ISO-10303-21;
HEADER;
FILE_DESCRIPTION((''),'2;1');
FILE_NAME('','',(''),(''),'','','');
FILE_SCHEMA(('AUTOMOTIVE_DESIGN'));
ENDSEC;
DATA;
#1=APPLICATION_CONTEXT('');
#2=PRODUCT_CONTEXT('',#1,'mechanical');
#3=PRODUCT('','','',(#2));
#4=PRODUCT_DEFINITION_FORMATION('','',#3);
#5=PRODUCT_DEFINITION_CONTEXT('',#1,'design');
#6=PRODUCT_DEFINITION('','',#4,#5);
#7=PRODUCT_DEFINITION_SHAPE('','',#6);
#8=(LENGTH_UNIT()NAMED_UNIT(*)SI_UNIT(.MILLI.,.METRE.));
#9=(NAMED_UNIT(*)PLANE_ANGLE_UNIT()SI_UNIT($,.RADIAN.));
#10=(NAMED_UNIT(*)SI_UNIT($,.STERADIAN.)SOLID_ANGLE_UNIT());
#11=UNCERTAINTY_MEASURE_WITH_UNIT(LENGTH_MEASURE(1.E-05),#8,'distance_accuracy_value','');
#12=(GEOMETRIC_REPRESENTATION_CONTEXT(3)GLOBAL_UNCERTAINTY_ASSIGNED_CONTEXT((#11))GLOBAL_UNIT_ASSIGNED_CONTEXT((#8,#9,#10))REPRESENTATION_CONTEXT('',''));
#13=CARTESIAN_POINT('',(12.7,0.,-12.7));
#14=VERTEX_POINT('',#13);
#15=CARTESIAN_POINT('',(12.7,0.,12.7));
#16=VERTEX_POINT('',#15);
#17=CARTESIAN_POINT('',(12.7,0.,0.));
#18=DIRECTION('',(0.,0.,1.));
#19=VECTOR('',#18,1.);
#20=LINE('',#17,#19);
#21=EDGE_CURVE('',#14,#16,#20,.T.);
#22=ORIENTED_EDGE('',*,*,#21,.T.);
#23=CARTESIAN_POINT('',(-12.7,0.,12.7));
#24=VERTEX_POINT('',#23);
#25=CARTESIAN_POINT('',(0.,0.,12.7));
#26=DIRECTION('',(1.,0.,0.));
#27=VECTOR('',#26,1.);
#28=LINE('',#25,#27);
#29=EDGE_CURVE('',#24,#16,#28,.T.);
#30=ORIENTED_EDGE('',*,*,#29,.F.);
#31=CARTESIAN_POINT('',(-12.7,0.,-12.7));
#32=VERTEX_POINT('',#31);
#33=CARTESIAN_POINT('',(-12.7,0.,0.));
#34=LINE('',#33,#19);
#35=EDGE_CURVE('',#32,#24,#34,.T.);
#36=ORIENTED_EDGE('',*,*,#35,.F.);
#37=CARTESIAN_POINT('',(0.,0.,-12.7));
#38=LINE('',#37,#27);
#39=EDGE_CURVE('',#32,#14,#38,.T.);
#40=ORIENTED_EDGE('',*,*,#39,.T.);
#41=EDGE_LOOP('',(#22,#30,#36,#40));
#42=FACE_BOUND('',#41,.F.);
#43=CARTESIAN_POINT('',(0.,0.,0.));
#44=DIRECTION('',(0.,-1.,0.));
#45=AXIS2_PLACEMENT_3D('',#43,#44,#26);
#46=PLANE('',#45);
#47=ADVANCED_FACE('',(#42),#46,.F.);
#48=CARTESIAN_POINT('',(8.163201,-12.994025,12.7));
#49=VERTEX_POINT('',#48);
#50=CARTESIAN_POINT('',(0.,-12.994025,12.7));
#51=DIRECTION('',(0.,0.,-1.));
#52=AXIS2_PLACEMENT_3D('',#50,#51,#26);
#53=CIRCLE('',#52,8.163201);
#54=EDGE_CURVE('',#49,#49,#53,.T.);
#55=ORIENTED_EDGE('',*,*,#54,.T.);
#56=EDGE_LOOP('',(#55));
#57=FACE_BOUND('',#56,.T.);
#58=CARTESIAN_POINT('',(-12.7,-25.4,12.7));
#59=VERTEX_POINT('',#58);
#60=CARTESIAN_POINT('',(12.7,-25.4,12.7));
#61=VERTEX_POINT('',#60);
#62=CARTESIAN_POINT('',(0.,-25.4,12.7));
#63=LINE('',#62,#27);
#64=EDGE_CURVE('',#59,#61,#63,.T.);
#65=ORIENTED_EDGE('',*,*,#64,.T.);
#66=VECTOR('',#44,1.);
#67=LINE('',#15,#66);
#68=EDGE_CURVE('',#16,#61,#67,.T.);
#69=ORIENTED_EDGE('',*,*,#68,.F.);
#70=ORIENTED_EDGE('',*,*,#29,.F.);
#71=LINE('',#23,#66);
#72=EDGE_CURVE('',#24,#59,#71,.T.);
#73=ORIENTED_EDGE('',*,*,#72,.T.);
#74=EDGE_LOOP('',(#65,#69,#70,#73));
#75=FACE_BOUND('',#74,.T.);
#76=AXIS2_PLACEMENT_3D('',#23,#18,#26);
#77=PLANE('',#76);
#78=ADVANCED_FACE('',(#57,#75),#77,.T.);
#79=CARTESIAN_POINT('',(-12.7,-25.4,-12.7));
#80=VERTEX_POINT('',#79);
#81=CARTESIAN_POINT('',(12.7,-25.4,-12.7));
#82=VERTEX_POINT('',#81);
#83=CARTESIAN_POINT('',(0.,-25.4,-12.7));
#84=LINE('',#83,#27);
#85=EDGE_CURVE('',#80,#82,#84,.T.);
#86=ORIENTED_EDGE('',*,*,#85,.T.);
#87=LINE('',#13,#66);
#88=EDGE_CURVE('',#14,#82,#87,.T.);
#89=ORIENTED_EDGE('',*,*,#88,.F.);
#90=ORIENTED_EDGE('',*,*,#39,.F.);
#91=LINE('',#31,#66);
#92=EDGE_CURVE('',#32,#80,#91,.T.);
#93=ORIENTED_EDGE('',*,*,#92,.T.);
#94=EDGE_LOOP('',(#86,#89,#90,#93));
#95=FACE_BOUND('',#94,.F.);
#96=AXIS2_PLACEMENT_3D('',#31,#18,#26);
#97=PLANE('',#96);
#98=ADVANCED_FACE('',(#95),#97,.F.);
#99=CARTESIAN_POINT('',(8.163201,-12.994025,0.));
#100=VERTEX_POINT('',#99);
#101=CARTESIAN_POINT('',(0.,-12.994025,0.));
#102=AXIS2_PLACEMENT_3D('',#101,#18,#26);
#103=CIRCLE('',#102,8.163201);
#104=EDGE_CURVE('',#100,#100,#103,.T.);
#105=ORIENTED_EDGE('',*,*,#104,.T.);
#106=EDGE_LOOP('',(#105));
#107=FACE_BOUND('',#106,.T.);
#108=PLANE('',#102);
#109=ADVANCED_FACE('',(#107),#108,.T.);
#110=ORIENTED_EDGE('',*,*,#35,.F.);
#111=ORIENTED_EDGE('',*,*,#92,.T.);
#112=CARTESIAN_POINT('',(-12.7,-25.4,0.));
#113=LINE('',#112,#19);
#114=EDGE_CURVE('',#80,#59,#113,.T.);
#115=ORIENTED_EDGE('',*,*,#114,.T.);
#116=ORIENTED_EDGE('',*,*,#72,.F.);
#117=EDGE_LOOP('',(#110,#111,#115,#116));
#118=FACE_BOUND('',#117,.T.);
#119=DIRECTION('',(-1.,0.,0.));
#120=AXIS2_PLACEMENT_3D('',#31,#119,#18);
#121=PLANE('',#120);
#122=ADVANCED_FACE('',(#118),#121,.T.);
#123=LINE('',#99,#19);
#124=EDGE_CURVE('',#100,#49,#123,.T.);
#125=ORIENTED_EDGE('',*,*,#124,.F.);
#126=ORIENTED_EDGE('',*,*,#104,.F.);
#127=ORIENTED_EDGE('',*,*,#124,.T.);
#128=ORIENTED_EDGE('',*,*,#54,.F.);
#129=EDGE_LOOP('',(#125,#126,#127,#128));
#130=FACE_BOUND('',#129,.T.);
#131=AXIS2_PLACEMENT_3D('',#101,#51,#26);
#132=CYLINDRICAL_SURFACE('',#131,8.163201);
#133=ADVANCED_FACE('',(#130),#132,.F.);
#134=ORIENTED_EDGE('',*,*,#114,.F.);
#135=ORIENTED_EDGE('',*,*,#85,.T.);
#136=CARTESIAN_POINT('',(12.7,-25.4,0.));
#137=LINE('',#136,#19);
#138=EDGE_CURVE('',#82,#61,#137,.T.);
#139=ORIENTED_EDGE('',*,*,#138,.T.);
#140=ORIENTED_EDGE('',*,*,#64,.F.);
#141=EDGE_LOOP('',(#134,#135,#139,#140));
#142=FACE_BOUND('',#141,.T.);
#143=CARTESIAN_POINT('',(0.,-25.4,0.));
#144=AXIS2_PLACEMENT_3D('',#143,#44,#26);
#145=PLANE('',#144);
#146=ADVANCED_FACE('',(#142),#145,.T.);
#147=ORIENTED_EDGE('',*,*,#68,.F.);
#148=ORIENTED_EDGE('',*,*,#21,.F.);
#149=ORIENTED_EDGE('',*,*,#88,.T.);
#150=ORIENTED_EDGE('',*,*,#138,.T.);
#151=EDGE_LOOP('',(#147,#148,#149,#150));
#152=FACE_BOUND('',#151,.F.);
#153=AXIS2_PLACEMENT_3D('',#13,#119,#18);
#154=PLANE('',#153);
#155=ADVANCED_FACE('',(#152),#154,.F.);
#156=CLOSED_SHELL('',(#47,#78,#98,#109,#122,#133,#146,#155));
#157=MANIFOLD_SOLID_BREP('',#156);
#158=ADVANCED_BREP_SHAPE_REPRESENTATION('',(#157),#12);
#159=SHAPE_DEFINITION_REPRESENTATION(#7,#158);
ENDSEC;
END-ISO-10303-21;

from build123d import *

# Parameters (mm, degrees)
F0_W     = 25.4
F0_H     = 25.4
F1_DEPTH = 25.4
F2_R     = 8.163201
F3_DEPTH = 12.701


with BuildPart() as f1:
    # F0 (on Front) → F1 (new body)
    with BuildSketch(Plane.XZ):
        Rectangle(F0_W, F0_H)
    extrude(amount=F1_DEPTH)

    # F2 (on Top) → F3 (cut, through all)
    with BuildSketch(Plane.XY):
        with Locations((0, -12.994025)):
            Circle(F2_R)
    extrude(amount=F3_DEPTH, mode=Mode.SUBTRACT)


solid = f1.part
